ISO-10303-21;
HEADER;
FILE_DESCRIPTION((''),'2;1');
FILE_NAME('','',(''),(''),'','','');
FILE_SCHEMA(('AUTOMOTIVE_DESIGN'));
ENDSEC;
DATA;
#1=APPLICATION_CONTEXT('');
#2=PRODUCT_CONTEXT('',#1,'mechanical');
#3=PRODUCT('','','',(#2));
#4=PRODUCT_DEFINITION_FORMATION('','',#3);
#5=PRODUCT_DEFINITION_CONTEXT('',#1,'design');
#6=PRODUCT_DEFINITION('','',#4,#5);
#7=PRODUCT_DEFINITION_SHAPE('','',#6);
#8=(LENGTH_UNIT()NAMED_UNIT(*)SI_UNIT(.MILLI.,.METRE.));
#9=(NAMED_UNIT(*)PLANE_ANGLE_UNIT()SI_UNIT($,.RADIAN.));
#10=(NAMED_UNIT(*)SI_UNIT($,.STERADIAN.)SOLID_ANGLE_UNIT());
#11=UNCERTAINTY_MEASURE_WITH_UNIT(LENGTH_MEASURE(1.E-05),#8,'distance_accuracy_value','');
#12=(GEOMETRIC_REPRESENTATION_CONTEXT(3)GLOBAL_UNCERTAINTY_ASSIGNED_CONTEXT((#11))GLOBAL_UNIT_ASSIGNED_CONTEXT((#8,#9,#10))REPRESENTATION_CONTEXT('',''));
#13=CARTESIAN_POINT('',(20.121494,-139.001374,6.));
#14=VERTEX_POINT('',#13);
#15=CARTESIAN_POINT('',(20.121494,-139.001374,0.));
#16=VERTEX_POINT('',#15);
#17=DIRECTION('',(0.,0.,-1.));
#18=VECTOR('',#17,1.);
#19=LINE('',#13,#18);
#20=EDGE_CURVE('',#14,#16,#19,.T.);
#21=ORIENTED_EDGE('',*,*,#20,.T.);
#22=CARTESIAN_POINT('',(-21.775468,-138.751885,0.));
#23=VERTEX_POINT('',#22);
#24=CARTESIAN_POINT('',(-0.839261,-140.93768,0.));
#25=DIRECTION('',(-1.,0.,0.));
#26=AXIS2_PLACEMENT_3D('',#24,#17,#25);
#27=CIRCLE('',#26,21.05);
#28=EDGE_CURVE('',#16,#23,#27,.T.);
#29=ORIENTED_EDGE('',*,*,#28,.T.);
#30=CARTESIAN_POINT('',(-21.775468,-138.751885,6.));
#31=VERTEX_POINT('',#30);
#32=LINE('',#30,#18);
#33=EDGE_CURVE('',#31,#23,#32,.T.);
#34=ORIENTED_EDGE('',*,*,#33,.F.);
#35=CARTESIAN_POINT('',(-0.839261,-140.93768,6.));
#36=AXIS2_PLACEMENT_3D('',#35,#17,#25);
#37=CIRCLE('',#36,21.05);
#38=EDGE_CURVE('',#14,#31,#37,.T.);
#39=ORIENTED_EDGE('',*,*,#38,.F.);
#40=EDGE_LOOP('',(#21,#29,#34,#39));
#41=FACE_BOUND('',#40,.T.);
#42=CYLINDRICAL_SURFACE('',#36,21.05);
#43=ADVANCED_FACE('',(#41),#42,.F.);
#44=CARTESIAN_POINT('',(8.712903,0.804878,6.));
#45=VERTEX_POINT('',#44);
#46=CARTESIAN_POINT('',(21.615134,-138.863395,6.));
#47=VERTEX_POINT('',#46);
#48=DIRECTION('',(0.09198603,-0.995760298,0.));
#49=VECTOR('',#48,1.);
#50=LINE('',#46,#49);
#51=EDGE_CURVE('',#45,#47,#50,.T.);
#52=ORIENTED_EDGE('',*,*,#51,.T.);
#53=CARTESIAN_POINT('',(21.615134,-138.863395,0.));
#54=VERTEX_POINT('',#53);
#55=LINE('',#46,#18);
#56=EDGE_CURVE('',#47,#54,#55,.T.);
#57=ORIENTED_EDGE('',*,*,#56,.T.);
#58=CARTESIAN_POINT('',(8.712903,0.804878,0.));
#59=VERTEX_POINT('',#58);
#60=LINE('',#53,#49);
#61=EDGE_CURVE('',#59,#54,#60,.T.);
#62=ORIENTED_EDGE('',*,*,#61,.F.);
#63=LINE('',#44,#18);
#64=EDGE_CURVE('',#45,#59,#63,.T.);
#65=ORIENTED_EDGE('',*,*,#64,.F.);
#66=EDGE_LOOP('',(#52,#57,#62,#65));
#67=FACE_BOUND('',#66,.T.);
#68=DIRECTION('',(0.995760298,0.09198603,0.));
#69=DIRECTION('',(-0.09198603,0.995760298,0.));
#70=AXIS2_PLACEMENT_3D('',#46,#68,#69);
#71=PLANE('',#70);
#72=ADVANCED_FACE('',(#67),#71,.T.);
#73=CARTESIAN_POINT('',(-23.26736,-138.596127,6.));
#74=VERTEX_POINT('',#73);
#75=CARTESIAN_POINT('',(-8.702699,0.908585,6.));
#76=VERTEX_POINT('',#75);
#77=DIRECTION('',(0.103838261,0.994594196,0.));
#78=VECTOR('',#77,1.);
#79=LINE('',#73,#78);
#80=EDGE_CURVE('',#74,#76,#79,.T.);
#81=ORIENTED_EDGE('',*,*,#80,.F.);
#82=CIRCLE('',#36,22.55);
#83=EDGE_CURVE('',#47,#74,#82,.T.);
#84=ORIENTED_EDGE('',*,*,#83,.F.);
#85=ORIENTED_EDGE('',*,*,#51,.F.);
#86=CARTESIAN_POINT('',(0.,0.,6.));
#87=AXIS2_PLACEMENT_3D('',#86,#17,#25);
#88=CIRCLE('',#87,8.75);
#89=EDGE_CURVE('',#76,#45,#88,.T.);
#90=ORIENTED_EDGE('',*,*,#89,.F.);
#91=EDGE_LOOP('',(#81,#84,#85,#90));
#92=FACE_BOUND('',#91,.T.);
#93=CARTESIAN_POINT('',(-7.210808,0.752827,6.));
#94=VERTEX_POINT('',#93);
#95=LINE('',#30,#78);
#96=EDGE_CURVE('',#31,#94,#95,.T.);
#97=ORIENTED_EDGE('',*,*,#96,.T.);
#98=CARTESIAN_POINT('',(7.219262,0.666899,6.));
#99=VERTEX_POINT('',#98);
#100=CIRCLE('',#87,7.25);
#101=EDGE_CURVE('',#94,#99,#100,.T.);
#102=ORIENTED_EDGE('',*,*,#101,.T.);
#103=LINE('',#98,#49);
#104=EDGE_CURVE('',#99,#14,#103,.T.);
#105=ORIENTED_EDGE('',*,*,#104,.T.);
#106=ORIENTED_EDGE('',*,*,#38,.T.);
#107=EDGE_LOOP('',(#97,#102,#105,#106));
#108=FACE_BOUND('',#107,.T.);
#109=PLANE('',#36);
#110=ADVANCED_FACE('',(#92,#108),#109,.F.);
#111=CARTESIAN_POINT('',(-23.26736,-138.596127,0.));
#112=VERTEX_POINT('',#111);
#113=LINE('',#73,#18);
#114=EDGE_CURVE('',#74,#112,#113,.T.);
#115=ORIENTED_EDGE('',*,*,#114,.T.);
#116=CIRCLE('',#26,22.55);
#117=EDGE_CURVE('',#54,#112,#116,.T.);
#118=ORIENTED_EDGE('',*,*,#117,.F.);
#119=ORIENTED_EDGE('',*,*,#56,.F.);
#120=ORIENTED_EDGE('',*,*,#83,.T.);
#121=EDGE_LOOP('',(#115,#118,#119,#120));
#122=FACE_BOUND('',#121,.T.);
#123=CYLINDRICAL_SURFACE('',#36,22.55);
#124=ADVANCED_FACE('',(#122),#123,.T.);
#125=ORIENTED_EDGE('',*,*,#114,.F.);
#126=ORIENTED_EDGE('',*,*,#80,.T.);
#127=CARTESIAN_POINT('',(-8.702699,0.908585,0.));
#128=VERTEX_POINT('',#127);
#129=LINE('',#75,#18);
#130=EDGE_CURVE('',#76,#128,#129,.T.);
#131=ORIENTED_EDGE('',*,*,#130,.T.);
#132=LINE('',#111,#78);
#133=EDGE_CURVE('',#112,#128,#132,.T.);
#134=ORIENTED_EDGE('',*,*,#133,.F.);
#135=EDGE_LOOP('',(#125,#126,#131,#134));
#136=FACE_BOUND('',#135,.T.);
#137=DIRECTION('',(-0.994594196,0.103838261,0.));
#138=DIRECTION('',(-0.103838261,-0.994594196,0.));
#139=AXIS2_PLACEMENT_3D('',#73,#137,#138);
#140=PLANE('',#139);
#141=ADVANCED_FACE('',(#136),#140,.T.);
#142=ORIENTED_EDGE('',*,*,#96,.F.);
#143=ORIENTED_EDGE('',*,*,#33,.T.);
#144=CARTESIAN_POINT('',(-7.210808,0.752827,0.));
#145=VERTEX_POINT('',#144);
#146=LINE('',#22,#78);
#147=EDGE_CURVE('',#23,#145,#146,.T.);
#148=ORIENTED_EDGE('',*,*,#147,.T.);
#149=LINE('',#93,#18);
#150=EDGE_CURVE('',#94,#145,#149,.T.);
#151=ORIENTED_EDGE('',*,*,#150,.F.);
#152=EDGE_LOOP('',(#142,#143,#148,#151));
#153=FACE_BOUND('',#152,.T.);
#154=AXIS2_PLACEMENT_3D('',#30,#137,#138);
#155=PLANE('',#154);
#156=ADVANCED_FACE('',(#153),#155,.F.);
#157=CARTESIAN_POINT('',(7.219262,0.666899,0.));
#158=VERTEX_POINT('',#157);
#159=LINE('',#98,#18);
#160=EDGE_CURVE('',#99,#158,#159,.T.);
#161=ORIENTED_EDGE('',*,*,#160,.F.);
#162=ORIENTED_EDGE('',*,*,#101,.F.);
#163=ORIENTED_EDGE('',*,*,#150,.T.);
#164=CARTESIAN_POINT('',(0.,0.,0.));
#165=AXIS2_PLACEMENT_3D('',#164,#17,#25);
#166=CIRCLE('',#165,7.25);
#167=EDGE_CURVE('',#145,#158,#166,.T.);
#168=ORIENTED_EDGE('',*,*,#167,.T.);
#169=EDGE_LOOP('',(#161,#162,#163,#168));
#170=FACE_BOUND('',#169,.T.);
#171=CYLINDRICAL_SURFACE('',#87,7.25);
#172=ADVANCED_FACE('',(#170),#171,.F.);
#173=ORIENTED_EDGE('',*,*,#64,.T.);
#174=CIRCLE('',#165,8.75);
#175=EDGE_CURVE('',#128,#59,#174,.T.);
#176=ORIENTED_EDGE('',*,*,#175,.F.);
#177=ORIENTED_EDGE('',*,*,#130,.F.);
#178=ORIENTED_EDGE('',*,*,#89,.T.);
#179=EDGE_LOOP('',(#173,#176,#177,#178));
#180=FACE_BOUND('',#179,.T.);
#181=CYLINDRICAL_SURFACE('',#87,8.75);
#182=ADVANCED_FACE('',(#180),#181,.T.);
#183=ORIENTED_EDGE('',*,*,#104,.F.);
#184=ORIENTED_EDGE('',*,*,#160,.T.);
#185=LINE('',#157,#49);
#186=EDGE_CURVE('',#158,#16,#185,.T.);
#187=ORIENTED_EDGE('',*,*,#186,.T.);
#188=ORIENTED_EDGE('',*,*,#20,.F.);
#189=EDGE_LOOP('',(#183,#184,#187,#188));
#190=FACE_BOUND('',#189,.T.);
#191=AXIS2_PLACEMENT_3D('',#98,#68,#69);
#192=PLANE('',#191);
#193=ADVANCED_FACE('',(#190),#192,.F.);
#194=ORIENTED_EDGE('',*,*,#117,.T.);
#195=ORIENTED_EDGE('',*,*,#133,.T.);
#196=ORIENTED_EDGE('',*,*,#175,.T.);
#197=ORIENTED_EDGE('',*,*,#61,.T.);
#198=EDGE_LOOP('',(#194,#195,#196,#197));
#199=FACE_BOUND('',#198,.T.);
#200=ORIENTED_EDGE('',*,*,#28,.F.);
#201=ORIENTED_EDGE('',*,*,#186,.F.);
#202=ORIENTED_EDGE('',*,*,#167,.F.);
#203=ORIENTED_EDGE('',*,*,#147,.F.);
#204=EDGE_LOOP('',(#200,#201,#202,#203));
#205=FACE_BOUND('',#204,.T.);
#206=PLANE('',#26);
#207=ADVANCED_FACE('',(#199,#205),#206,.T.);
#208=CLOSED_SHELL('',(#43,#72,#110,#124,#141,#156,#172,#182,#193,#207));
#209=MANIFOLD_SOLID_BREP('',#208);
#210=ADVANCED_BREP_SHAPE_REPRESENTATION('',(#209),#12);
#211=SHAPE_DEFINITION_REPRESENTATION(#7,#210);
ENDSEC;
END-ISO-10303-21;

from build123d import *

# Parameters (mm, degrees)
EXTRUDE_1_DEPTH = 6


with BuildPart() as part:
    # 草图2 → 拉伸-薄壁1 (new body)
    with BuildSketch(Plane.XY):
        with BuildLine():
            Line((-23.267359636, -138.596127362), (-8.702699219, 0.908584785))
            ThreePointArc((-8.702699219, 0.908584785), (0.052103875, 8.749844866), (8.712902604, 0.804877765))
            Line((8.712902604, 0.804877765), (21.615134204, -138.863395168))
            ThreePointArc((21.615134204, -138.863395168), (-0.973539635, -163.487280349), (-23.267359636, -138.596127362))
        make_face()
        with BuildLine():
            Line((-21.775468341, -138.751884754), (-7.210807924, 0.752827393))
            ThreePointArc((-7.210807924, 0.752827393), (0.043171782, 7.249871461), (7.219262157, 0.666898719))
            Line((7.219262157, 0.666898719), (20.121493757, -139.001374214))
            ThreePointArc((20.121493757, -139.001374214), (-0.964607542, -161.987306943), (-21.775468341, -138.751884754))
        make_face(mode=Mode.SUBTRACT)
    extrude(amount=EXTRUDE_1_DEPTH)


solid = part.part
